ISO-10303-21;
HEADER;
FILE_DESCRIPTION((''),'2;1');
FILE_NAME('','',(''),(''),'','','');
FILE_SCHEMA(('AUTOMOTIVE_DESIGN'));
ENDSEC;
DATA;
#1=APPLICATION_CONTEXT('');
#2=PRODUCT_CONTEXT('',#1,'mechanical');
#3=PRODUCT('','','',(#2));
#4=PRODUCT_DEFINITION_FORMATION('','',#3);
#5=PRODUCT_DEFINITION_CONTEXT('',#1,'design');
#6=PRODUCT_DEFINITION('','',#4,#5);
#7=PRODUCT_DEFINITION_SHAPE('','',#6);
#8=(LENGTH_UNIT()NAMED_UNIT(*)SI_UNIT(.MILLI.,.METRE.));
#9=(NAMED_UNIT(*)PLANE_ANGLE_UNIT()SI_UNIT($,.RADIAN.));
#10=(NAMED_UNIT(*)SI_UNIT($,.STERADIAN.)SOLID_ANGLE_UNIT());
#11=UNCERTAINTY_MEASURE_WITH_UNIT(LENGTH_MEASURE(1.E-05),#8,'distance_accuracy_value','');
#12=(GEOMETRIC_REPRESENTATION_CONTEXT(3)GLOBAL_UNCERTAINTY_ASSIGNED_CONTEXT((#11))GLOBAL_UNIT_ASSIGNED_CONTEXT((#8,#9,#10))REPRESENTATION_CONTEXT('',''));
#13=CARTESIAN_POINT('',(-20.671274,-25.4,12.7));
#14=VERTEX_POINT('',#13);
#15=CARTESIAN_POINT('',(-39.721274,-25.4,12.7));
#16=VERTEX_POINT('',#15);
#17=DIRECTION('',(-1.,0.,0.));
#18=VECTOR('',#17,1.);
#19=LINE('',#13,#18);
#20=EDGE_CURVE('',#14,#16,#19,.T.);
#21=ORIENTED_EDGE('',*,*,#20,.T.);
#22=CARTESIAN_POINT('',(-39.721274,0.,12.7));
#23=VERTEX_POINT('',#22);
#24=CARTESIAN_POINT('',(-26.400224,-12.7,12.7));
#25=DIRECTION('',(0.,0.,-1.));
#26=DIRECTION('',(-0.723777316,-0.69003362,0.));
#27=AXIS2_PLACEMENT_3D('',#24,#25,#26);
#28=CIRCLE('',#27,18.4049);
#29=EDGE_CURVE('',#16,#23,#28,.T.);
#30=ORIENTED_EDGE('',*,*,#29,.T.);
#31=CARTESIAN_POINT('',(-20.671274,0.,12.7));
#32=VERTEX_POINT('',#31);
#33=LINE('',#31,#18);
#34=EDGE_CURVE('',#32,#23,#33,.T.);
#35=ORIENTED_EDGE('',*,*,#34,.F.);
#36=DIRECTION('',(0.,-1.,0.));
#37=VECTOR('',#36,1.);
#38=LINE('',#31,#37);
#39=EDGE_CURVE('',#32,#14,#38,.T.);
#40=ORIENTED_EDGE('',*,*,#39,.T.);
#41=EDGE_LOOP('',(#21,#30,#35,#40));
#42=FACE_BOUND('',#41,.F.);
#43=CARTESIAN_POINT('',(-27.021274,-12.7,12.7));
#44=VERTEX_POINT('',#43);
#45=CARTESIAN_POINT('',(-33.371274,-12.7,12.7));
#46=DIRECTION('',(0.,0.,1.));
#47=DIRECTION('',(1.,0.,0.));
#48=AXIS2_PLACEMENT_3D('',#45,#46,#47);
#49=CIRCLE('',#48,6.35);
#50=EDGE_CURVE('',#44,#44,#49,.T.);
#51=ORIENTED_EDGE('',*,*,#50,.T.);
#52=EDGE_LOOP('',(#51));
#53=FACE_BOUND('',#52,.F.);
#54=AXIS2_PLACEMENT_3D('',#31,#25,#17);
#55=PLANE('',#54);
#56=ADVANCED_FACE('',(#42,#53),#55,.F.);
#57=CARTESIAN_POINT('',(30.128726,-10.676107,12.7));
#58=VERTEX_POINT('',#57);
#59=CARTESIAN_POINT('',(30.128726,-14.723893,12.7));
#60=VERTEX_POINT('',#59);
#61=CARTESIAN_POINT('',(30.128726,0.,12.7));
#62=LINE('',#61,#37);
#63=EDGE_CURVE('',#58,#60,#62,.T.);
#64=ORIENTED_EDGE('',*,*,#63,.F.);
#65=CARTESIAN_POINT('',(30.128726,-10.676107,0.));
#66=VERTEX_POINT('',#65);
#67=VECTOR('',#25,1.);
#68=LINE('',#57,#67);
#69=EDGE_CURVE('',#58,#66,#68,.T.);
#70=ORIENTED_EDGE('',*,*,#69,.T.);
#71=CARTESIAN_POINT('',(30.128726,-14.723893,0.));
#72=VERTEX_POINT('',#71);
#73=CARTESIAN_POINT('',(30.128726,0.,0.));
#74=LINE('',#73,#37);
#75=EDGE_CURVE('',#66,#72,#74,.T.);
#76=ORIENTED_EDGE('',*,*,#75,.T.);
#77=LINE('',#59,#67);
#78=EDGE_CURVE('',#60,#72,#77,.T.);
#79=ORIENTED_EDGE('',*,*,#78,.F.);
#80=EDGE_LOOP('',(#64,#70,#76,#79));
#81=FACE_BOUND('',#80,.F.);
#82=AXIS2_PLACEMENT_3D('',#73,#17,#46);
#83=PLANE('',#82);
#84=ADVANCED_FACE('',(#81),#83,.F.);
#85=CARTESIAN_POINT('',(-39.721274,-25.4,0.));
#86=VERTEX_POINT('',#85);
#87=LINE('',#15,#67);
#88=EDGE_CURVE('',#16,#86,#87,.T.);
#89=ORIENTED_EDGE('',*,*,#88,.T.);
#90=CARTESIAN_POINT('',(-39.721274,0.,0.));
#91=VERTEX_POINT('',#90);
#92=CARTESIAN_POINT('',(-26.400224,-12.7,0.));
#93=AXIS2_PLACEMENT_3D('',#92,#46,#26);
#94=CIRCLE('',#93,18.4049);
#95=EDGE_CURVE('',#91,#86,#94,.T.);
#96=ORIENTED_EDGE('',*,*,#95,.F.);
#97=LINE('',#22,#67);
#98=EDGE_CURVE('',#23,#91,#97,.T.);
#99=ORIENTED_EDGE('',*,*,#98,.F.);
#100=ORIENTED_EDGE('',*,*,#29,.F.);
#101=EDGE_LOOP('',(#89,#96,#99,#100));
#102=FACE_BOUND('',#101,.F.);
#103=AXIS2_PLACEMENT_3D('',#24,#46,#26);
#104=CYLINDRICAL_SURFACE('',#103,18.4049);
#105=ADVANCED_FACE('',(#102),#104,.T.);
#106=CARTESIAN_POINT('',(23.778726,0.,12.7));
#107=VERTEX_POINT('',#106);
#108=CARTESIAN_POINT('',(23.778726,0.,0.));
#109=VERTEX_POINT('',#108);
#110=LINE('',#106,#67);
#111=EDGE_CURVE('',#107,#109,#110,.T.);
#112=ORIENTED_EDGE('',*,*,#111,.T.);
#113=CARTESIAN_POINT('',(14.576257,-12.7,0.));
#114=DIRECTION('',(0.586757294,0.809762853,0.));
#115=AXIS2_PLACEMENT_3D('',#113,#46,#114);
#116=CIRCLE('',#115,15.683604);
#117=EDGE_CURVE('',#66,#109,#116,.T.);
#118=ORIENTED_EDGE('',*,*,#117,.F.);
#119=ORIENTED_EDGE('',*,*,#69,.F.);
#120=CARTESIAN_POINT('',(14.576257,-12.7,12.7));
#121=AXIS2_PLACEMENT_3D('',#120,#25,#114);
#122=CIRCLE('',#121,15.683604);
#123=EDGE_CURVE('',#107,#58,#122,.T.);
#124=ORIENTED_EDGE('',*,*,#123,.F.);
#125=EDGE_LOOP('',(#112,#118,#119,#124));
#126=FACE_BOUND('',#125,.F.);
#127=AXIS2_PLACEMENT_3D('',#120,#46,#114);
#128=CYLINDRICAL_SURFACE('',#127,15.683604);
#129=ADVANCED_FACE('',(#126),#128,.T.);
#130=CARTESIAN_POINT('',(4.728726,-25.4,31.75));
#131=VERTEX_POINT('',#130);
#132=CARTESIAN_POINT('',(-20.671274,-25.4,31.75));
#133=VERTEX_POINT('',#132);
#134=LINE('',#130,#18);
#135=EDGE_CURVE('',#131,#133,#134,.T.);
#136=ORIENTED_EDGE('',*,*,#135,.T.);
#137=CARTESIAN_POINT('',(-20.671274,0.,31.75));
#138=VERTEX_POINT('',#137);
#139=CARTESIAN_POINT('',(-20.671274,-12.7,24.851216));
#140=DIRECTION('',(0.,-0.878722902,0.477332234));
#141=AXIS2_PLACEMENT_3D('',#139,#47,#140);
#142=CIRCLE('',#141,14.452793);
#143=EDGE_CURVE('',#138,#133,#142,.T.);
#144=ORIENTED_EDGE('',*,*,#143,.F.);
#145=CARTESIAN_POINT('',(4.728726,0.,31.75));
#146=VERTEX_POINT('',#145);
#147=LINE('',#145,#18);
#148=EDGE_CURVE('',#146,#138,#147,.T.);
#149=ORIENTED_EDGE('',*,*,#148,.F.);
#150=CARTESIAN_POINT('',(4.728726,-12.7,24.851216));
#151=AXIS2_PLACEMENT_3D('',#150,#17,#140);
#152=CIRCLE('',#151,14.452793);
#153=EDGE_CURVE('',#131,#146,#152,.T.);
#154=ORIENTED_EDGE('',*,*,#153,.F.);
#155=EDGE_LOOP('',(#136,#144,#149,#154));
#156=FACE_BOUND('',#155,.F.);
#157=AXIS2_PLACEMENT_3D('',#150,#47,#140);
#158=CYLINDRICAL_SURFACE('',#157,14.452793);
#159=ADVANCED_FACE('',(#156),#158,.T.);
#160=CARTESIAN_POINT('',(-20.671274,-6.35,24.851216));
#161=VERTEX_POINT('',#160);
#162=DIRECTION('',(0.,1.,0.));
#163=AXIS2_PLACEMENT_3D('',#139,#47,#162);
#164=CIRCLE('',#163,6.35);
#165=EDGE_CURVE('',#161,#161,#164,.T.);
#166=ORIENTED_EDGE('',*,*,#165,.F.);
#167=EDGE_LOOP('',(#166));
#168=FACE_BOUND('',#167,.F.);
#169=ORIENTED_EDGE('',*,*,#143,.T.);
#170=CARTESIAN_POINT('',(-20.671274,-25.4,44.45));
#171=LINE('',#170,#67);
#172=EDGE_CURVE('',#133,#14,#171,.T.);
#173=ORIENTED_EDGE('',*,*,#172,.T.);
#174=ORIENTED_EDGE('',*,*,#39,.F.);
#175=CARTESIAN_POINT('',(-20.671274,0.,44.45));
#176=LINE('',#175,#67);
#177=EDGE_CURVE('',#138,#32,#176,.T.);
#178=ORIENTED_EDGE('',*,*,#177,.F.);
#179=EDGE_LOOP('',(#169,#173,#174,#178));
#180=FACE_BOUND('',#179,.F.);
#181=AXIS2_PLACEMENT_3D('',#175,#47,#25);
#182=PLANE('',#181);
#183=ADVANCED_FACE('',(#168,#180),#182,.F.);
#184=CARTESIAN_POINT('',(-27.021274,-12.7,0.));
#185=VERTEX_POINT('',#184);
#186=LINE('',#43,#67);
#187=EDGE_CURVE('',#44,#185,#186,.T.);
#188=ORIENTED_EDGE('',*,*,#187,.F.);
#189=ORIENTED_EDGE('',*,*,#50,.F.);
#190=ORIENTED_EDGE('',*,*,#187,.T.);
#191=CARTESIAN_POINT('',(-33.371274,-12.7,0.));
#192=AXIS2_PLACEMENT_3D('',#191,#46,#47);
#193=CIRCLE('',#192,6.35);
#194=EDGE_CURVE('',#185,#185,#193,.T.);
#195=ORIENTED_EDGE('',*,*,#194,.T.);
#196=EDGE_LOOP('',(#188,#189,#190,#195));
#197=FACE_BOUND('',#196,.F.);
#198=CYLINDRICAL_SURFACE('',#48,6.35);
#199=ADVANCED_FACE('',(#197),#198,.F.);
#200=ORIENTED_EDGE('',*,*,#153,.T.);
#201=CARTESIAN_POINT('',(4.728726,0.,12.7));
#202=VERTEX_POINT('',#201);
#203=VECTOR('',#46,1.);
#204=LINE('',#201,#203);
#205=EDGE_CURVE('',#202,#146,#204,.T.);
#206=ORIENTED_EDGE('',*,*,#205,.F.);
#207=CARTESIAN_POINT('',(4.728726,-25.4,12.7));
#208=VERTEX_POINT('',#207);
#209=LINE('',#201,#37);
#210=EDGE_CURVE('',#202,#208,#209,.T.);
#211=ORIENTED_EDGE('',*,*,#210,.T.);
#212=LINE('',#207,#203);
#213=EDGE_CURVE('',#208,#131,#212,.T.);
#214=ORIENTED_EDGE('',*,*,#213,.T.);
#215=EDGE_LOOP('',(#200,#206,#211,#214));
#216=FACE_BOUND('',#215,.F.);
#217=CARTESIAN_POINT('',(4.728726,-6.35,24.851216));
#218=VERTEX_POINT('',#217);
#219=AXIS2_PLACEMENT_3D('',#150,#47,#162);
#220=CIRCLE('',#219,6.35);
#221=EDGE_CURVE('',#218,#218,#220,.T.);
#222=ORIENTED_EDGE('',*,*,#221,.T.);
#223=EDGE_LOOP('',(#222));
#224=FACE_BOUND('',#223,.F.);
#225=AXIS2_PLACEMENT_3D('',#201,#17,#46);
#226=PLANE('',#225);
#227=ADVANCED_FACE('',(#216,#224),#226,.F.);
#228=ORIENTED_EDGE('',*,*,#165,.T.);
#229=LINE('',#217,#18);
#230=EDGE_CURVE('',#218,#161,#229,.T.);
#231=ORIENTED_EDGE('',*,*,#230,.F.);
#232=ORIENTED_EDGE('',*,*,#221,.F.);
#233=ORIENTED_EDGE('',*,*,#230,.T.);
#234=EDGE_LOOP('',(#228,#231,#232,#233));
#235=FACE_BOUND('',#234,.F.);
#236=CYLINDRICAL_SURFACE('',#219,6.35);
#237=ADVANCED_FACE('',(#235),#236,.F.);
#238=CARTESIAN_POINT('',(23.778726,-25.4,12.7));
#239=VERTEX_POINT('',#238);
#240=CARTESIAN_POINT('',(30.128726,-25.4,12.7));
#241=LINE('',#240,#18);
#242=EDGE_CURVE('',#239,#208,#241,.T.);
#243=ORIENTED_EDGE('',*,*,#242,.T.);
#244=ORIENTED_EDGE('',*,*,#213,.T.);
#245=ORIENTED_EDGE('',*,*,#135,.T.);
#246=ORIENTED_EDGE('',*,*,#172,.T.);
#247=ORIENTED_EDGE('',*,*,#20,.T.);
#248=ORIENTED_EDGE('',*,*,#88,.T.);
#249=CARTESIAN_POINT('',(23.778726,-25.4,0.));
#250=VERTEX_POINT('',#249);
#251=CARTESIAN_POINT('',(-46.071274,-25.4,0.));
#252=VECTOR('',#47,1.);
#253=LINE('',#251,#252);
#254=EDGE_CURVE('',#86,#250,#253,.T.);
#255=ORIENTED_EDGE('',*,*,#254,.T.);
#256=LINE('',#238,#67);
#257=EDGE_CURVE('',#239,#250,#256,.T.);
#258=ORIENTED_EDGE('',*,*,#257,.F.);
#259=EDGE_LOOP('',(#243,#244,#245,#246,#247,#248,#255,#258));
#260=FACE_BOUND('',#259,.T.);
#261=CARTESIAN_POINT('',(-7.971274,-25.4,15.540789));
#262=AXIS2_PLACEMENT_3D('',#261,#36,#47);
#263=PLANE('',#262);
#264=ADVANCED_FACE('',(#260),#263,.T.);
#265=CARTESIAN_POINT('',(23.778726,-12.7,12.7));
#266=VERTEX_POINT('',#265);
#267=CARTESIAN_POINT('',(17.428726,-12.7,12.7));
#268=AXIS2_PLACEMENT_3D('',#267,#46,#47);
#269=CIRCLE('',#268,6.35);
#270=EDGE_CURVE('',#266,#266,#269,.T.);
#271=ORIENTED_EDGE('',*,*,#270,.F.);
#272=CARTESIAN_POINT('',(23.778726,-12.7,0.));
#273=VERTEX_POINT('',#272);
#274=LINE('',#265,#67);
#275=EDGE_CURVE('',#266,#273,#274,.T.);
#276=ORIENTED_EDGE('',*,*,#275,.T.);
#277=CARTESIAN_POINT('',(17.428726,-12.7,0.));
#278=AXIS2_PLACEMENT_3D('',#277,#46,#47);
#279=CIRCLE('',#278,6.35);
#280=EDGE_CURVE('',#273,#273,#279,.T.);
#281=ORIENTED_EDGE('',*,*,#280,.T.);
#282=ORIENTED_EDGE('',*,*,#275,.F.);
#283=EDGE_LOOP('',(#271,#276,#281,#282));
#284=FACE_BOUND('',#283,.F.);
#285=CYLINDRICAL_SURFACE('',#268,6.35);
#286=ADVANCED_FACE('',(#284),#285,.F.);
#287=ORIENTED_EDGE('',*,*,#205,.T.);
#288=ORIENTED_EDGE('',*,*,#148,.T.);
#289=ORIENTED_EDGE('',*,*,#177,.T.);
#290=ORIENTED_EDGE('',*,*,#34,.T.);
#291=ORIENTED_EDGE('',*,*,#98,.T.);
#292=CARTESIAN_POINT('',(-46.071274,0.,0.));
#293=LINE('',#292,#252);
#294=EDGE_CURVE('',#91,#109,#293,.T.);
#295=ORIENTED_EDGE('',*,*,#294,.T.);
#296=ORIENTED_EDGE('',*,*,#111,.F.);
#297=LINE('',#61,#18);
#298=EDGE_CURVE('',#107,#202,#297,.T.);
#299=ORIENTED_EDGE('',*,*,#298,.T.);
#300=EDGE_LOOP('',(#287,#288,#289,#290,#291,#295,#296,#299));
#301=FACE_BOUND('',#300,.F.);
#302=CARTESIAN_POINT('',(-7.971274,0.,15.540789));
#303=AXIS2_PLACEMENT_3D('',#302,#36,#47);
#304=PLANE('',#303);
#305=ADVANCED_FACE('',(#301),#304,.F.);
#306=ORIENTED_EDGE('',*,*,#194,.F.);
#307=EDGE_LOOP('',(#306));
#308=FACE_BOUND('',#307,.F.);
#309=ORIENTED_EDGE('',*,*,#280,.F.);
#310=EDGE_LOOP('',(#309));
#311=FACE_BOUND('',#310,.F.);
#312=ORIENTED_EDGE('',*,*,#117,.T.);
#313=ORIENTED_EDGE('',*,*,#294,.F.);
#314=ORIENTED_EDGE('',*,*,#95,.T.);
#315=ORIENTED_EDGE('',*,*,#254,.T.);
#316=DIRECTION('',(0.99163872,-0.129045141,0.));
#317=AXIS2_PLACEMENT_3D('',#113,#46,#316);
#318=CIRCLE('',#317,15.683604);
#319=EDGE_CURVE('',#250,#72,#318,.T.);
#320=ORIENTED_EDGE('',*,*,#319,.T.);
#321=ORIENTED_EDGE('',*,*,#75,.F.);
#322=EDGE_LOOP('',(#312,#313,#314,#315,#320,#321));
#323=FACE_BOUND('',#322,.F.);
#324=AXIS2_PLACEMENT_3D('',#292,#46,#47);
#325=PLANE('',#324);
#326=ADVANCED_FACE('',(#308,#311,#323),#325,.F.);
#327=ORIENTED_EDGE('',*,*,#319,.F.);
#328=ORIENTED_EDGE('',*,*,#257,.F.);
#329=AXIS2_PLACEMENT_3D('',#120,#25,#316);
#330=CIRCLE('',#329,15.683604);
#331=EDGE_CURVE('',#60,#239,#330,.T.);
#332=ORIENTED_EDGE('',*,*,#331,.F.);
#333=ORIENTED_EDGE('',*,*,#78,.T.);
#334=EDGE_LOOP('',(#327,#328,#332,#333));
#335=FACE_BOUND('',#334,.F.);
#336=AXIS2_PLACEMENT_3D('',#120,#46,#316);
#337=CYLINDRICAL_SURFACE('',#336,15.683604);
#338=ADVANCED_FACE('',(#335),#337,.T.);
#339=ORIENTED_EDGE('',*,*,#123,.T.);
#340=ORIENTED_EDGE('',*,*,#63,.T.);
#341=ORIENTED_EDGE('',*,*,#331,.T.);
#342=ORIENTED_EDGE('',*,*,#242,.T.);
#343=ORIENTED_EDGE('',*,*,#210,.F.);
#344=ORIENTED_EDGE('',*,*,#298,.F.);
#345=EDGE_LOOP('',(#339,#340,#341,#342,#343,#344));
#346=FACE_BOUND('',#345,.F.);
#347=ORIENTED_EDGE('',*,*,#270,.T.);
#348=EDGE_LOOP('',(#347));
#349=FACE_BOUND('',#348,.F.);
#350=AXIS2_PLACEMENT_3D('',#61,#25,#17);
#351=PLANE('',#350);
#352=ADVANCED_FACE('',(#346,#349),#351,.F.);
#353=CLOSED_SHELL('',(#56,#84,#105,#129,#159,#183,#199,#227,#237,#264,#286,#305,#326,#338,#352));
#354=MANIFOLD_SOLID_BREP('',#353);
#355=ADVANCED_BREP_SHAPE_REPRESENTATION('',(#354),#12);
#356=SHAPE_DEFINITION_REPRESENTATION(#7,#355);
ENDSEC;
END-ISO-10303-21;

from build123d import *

# Parameters (mm, degrees)
F1_DEPTH = 25.4
F2_R     = 6.35
F3_DEPTH = 12.701
F4_R     = 6.35
F5_DEPTH = 50.801
F7_DEPTH = 12.701
F9_DEPTH = 12.701


with BuildPart() as f1:
    # F0 (on Front) → F1 (new body)
    with BuildSketch(Plane.XZ):
        Polygon((-20.6712735461, 12.7), (-46.0712735461, 12.7), (-46.0712735461, 0), (30.1287264539, 0), (30.1287264539, 12.7), (4.7287264539, 12.7), (4.7287264539, 44.45), (-20.6712735461, 44.45), align=None)
    extrude(amount=F1_DEPTH)

    # F2 (on face) → F3 (cut, through all)
    with BuildSketch(Plane.XY.offset(12.7)):
        with Locations((17.4287264539, -12.7)):
            Circle(F2_R)
        with Locations((-33.3712735461, -12.7)):
            Circle(F2_R)
    extrude(amount=-F3_DEPTH, mode=Mode.SUBTRACT)

    # F4 (on face) → F5 (cut, through all)
    with BuildSketch(Plane.YZ.offset(4.7287264539)):
        with Locations((-12.7, 24.8512161426)):
            Circle(F4_R)
        with BuildLine():
            ThreePointArc((-25.4, 31.75), (-12.7, 39.3040089077), (0, 31.75))
            Line((0, 31.75), (0, 44.45))
            Line((0, 44.45), (-25.4, 44.45))
            Line((-25.4, 44.45), (-25.4, 31.75))
        make_face()
    extrude(amount=-F5_DEPTH, mode=Mode.SUBTRACT)

    # F6 (on face) → F7 (cut, through all)
    with BuildSketch(Plane.XY.offset(12.7)):
        with BuildLine():
            ThreePointArc((-39.7212735461, -25.4), (-44.8051245149, -12.7), (-39.7212735461, 0))
            Line((-39.7212735461, 0), (-46.0712735461, 0))
            Line((-46.0712735461, 0), (-46.0712735461, -25.4))
            Line((-46.0712735461, -25.4), (-39.7212735461, -25.4))
        make_face()
    extrude(amount=-F7_DEPTH, mode=Mode.SUBTRACT)

    # F8 (on face) → F9 (cut, through all)
    with BuildSketch(Plane.XY.offset(12.7)):
        with BuildLine():
            ThreePointArc((23.7787264539, 0), (28.0557438818, -4.6825889157), (30.1287264539, -10.6761071051))
            Line((30.1287264539, -10.6761071051), (30.1287264539, 0))
            Line((30.1287264539, 0), (23.7787264539, 0))
        make_face()
        with BuildLine():
            ThreePointArc((30.1287264539, -14.7238928949), (28.0557438818, -20.7174110843), (23.7787264539, -25.4))
            Line((23.7787264539, -25.4), (30.1287264539, -25.4))
            Line((30.1287264539, -25.4), (30.1287264539, -14.7238928949))
        make_face()
    extrude(amount=-F9_DEPTH, mode=Mode.SUBTRACT)


solid = f1.part
